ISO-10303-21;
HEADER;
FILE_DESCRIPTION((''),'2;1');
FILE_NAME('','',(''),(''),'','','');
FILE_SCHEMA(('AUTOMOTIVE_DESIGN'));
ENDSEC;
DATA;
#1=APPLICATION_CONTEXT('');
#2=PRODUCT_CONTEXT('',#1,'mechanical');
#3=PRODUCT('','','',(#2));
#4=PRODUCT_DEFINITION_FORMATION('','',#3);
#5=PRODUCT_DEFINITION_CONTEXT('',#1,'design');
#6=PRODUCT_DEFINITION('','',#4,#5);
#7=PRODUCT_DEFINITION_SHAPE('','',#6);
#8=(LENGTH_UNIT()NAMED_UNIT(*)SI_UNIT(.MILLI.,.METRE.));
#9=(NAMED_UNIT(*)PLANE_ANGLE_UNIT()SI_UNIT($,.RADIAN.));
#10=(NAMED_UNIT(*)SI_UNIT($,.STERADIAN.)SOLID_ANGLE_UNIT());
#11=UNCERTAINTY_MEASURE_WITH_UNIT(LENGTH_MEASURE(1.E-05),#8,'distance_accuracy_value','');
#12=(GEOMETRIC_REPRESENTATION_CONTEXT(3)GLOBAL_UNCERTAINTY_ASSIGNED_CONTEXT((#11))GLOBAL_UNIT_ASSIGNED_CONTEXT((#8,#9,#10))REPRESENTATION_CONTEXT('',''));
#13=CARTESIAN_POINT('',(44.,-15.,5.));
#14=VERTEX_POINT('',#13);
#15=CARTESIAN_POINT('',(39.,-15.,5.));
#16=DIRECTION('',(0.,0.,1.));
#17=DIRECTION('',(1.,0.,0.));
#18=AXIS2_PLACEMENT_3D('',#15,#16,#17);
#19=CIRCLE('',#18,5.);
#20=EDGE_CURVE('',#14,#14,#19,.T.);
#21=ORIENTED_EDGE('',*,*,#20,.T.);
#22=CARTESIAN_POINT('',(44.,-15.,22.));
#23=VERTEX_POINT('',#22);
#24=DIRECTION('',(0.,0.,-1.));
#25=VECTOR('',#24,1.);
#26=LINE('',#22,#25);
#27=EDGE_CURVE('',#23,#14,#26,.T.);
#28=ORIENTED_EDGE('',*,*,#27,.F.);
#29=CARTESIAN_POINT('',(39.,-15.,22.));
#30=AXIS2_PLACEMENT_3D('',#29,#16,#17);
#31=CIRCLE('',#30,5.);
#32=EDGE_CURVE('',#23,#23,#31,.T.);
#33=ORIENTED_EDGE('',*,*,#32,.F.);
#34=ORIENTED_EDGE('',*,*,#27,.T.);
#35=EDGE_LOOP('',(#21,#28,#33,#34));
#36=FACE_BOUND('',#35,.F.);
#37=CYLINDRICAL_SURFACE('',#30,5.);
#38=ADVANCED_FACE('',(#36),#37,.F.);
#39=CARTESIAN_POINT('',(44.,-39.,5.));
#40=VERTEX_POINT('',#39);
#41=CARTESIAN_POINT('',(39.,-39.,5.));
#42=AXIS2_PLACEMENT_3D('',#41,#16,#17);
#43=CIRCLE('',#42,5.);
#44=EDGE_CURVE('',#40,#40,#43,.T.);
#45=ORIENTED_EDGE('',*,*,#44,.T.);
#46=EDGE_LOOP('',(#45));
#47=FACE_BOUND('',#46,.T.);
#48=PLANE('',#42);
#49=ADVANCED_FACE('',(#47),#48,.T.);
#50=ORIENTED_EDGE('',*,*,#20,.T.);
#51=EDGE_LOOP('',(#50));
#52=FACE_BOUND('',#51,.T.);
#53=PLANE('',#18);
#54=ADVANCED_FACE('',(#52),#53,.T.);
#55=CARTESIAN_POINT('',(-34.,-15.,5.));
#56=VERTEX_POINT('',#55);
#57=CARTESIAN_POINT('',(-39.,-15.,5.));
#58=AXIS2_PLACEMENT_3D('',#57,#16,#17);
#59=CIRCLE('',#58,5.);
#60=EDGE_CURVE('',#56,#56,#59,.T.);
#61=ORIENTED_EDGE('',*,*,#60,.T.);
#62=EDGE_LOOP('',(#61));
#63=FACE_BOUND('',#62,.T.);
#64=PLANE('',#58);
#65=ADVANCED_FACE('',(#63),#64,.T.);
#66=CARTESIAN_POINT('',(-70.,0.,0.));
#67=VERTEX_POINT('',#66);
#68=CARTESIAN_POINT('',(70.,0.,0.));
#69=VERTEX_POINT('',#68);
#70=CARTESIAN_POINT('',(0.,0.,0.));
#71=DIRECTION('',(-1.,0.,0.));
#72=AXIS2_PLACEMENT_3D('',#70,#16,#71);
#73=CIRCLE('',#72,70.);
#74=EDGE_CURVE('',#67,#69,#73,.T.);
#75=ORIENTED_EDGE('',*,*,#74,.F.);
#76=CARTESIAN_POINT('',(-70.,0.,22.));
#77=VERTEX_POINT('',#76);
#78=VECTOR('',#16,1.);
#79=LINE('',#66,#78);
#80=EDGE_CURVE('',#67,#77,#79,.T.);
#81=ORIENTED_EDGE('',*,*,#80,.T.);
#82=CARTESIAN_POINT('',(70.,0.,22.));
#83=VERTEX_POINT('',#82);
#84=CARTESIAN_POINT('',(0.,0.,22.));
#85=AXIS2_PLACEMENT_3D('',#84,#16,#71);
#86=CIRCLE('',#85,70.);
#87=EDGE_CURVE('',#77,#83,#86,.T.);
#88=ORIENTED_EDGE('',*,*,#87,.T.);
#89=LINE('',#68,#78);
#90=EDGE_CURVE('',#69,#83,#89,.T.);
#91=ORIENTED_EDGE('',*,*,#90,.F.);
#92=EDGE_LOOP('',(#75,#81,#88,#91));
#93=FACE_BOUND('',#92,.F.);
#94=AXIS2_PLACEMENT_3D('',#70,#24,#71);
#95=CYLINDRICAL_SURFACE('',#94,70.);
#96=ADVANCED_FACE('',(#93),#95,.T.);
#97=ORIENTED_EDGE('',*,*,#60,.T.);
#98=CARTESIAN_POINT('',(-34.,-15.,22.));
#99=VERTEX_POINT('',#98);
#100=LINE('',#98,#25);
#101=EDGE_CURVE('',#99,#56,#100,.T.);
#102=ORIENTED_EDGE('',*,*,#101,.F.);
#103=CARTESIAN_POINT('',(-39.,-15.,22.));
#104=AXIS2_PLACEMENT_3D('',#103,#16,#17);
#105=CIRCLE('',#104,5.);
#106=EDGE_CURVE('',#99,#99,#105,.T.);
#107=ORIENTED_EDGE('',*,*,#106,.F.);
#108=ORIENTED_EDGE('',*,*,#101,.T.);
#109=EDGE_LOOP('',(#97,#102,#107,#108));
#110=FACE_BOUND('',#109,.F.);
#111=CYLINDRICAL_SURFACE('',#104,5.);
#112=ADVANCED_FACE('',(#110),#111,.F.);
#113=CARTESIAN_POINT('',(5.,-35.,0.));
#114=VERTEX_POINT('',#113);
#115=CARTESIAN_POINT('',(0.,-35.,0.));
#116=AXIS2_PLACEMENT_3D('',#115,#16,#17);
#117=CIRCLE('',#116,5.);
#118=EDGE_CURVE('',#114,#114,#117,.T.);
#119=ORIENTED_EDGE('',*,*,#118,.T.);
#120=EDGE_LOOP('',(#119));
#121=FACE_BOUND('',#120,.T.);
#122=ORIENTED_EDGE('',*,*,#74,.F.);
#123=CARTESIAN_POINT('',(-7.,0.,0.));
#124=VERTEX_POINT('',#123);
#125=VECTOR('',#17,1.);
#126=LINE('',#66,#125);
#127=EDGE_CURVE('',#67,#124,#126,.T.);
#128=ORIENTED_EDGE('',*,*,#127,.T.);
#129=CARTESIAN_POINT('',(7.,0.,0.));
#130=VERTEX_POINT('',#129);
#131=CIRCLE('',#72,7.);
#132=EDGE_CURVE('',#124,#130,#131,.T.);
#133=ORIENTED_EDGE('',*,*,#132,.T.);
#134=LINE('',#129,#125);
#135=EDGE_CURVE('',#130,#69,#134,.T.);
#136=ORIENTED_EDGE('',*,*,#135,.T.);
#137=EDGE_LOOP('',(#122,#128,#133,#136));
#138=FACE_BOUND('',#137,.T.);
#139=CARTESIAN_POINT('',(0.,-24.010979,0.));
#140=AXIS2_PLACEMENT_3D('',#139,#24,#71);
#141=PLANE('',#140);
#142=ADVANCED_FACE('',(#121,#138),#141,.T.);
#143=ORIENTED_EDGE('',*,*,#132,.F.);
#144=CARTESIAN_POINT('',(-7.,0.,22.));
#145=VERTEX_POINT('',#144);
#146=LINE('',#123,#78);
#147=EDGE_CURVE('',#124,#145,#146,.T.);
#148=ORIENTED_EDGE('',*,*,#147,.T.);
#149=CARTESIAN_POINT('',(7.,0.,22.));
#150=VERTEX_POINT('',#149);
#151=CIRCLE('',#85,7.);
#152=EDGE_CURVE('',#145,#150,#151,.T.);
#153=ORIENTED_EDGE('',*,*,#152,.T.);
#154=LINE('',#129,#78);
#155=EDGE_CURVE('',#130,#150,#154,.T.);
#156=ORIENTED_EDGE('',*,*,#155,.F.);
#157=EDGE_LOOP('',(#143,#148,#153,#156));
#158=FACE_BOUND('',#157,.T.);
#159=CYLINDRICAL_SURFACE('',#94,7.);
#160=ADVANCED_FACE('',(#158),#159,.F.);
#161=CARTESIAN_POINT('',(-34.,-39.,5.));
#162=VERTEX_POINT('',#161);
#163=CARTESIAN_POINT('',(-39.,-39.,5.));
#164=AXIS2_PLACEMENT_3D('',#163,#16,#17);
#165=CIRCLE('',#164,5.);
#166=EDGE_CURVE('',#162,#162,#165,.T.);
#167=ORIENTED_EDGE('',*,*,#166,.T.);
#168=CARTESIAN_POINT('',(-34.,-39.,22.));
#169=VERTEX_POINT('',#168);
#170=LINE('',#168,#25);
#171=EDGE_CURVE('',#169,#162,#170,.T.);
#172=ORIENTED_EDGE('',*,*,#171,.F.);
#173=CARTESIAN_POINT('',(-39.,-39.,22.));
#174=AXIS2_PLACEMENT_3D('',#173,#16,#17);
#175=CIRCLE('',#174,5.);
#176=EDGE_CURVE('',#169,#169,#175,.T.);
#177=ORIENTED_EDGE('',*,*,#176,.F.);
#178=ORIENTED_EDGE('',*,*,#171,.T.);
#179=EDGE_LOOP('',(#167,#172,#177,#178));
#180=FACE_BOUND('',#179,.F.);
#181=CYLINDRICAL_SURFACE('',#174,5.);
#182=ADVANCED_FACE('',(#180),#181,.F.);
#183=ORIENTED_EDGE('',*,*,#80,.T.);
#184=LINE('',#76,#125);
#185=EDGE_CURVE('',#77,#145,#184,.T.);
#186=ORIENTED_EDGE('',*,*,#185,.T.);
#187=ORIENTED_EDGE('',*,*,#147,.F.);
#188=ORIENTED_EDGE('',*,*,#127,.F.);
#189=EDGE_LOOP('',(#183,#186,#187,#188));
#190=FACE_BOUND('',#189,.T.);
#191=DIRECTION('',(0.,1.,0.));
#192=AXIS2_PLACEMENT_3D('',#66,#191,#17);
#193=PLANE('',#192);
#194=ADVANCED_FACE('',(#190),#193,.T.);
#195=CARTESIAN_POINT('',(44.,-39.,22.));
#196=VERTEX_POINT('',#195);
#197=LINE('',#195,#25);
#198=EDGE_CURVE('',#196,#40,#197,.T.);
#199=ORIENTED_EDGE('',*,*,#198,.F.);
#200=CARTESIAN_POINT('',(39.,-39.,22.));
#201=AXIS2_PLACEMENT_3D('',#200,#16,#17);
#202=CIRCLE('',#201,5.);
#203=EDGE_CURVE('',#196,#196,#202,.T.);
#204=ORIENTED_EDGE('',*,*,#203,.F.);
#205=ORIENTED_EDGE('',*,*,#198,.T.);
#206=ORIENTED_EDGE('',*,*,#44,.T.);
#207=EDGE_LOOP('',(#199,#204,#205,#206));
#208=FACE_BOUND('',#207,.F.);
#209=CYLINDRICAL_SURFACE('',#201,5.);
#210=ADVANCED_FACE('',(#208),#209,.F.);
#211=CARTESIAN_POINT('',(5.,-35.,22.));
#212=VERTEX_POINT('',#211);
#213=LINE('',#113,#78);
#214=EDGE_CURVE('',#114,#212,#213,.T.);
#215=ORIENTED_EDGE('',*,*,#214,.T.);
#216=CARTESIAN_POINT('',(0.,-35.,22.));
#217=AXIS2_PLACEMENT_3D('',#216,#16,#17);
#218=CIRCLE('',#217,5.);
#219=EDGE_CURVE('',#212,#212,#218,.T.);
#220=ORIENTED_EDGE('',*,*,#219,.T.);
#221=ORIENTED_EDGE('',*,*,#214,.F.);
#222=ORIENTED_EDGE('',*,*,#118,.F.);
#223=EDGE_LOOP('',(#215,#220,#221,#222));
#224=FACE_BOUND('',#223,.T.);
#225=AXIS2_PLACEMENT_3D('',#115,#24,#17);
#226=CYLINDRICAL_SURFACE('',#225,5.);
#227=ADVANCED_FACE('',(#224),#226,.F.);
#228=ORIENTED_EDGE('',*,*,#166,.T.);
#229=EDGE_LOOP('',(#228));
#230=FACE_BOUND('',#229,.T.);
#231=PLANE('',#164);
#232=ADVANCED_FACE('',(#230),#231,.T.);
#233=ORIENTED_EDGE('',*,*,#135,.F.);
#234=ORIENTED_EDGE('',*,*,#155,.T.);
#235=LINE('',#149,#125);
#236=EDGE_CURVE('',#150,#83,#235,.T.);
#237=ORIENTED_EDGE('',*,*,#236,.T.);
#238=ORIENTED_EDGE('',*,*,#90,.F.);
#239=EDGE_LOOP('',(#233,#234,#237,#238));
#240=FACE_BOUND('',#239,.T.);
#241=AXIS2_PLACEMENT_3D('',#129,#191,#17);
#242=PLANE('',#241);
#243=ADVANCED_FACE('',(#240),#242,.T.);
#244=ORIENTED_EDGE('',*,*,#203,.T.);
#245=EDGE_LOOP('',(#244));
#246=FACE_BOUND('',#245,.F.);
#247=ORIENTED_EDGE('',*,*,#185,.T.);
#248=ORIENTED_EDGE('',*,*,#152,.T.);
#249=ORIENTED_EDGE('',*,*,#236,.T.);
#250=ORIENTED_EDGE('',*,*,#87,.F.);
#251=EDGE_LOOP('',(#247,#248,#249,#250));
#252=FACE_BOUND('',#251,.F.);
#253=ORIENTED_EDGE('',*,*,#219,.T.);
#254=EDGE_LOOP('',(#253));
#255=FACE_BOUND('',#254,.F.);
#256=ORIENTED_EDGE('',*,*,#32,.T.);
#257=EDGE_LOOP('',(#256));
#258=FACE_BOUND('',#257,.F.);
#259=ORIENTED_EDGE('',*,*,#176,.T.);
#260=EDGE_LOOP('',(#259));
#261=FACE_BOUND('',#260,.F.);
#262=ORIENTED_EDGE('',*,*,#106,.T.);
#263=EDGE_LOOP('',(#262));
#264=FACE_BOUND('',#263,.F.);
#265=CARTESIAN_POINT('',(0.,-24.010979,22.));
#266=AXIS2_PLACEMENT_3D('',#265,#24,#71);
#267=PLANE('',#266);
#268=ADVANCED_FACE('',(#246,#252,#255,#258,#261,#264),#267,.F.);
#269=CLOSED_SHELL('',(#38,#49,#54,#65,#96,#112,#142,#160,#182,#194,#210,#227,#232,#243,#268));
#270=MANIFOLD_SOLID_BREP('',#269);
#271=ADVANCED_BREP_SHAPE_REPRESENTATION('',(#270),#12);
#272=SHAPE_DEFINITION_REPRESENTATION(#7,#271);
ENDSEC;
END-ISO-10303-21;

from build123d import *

# Parameters (mm, degrees)
PAD_DEPTH       = 22
SKETCH001_R     = 5
PAD001_DEPTH    = 17
POCKET_DEPTH    = 17
SKETCH002_R     = 5
POCKET001_DEPTH = 22


with BuildPart() as part:
    # Sketch → Pad (new body)
    with BuildSketch(Plane.XY):
        with BuildLine():
            ThreePointArc((-7, 0), (0, -7), (7, 0))
            Line((7, 0), (70, 0))
            ThreePointArc((-70, 0), (0, -70), (70, 0))
            Line((-70, 0), (-7, 0))
        make_face()
    extrude(amount=PAD_DEPTH)

    # Sketch001 (on Face6 of Pad) → Pad001 (join)
    with BuildSketch(Plane.XY.offset(22)):
        with Locations((-39, -39)):
            Circle(SKETCH001_R)
        with Locations((39, -39)):
            Circle(SKETCH001_R)
        with Locations((-39, -15)):
            Circle(SKETCH001_R)
        with Locations((39, -15)):
            Circle(SKETCH001_R)
    extrude(amount=-PAD001_DEPTH)

    # Sketch001 (on Face6 of Pad) → Pocket (cut)
    with BuildSketch(Plane.XY.offset(22)):
        with Locations((-39, -39)):
            Circle(SKETCH001_R)
        with Locations((39, -39)):
            Circle(SKETCH001_R)
        with Locations((-39, -15)):
            Circle(SKETCH001_R)
        with Locations((39, -15)):
            Circle(SKETCH001_R)
    extrude(amount=-POCKET_DEPTH, mode=Mode.SUBTRACT)

    # Sketch002 → Pocket001 (cut)
    with BuildSketch(Plane.XY):
        with Locations((0, -35)):
            Circle(SKETCH002_R)
    extrude(amount=POCKET001_DEPTH, mode=Mode.SUBTRACT)


solid = part.part
